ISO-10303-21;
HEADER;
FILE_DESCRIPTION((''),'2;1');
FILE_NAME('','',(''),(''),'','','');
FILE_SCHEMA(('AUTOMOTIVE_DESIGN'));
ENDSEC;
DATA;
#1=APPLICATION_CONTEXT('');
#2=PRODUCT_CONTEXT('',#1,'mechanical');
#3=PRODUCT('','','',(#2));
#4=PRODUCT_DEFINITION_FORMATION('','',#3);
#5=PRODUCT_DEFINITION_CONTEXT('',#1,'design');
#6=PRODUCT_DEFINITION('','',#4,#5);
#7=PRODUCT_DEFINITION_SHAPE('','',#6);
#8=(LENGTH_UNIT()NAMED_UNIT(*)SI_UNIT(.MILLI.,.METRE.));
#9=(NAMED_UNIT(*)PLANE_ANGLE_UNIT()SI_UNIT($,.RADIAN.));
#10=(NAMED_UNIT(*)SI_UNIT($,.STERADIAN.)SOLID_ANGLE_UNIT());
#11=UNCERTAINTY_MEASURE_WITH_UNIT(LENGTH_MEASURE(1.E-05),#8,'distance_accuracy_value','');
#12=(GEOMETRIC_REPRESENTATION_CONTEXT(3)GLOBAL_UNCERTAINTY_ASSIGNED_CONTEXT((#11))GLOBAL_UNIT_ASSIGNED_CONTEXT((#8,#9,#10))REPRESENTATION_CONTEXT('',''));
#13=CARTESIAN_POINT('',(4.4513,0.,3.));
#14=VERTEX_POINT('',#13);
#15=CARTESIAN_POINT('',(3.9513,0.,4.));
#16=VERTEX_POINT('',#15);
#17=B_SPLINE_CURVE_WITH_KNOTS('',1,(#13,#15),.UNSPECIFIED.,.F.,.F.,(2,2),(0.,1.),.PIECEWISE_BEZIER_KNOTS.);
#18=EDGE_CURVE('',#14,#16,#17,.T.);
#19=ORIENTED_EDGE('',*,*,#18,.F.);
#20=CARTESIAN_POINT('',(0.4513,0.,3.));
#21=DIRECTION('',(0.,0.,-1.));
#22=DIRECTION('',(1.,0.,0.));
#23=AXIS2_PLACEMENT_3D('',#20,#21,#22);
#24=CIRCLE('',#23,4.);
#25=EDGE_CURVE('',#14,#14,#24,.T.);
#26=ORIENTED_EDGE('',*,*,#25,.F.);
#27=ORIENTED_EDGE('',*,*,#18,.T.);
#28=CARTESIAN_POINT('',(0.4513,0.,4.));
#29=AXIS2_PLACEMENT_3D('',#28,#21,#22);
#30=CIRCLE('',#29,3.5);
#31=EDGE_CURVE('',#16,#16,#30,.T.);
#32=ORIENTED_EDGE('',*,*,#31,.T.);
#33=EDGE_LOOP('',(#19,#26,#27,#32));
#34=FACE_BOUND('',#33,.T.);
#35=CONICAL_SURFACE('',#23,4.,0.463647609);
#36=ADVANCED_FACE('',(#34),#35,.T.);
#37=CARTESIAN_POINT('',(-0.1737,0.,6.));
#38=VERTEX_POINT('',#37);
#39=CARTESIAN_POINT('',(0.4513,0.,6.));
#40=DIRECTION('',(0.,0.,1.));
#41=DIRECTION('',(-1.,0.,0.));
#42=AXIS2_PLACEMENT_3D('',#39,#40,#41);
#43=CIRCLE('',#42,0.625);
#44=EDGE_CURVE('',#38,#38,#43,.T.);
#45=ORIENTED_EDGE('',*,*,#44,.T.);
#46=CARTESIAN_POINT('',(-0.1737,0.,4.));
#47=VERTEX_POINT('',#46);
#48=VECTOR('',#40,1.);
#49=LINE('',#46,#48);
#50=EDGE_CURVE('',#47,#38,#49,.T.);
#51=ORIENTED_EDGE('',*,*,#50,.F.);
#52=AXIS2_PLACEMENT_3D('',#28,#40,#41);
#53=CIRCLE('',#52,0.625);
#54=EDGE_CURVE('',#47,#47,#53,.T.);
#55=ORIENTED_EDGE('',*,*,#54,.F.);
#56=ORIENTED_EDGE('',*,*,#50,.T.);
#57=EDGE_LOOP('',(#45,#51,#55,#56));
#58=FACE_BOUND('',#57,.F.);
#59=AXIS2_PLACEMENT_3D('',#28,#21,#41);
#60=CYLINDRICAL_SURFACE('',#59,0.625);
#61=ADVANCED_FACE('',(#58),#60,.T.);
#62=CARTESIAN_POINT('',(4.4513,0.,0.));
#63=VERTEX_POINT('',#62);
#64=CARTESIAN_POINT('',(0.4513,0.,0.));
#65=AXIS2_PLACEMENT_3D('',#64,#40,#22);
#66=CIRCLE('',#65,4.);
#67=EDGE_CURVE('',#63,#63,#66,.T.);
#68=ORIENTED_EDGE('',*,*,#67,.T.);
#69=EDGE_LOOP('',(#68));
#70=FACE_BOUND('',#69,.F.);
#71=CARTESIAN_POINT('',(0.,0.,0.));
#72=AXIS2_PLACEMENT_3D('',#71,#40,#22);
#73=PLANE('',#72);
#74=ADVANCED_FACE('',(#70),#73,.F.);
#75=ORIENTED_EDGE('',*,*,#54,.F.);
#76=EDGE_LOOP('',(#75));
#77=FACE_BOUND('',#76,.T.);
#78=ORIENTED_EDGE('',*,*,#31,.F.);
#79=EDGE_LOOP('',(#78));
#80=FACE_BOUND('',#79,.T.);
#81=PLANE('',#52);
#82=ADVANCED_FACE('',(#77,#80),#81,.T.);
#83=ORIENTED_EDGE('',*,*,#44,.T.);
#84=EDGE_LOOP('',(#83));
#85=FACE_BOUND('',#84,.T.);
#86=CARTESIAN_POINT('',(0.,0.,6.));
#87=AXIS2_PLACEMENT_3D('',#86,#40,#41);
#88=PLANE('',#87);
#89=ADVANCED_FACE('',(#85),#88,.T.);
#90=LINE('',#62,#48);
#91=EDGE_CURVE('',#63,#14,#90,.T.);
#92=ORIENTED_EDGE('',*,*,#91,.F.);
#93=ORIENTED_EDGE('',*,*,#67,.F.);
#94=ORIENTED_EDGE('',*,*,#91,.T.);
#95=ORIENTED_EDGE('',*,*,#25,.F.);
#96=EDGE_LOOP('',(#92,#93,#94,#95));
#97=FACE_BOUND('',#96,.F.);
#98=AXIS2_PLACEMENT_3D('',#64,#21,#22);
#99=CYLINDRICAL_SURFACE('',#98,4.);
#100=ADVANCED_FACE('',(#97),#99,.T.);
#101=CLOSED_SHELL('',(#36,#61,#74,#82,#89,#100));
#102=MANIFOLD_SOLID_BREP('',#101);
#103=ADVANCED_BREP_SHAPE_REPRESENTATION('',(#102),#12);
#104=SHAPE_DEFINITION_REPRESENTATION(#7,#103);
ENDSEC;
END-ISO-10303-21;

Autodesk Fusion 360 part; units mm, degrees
sketch "Sketch1" plane through (0, 0, 0) normal (0, 0, 1) x (1, 0, 0)
  circle A0 centre (0.4513, 0) radius 4
  dimension "d1" = 8
extrude "Extrude1" add sketch "Sketch1" along normal blind 4
sketch "Sketch2" plane through (0, 0, 4) normal (0, 0, 1) x (-1, 0, 0)
  circle A0 centre (-0.4513, 0) radius 4
  circle A1 centre (-0.4513, 0) radius 3.5
  circle A2 centre (-0.4513, 0) radius 0.625
  dimension "d4" = 7
  dimension "d5" = 1.25
extrude "Extrude2" cut 1 faces at (2.3843, -0.8657, 4) along direction (0, 0, -1) blind 1
loft "Loft1" add profiles "Sketch2" section 1 face at (2.3843, -0.8657, 3) section 2 contours A1
extrude "Extrude3" add sketch "Sketch2" along normal blind 2 contours A2
